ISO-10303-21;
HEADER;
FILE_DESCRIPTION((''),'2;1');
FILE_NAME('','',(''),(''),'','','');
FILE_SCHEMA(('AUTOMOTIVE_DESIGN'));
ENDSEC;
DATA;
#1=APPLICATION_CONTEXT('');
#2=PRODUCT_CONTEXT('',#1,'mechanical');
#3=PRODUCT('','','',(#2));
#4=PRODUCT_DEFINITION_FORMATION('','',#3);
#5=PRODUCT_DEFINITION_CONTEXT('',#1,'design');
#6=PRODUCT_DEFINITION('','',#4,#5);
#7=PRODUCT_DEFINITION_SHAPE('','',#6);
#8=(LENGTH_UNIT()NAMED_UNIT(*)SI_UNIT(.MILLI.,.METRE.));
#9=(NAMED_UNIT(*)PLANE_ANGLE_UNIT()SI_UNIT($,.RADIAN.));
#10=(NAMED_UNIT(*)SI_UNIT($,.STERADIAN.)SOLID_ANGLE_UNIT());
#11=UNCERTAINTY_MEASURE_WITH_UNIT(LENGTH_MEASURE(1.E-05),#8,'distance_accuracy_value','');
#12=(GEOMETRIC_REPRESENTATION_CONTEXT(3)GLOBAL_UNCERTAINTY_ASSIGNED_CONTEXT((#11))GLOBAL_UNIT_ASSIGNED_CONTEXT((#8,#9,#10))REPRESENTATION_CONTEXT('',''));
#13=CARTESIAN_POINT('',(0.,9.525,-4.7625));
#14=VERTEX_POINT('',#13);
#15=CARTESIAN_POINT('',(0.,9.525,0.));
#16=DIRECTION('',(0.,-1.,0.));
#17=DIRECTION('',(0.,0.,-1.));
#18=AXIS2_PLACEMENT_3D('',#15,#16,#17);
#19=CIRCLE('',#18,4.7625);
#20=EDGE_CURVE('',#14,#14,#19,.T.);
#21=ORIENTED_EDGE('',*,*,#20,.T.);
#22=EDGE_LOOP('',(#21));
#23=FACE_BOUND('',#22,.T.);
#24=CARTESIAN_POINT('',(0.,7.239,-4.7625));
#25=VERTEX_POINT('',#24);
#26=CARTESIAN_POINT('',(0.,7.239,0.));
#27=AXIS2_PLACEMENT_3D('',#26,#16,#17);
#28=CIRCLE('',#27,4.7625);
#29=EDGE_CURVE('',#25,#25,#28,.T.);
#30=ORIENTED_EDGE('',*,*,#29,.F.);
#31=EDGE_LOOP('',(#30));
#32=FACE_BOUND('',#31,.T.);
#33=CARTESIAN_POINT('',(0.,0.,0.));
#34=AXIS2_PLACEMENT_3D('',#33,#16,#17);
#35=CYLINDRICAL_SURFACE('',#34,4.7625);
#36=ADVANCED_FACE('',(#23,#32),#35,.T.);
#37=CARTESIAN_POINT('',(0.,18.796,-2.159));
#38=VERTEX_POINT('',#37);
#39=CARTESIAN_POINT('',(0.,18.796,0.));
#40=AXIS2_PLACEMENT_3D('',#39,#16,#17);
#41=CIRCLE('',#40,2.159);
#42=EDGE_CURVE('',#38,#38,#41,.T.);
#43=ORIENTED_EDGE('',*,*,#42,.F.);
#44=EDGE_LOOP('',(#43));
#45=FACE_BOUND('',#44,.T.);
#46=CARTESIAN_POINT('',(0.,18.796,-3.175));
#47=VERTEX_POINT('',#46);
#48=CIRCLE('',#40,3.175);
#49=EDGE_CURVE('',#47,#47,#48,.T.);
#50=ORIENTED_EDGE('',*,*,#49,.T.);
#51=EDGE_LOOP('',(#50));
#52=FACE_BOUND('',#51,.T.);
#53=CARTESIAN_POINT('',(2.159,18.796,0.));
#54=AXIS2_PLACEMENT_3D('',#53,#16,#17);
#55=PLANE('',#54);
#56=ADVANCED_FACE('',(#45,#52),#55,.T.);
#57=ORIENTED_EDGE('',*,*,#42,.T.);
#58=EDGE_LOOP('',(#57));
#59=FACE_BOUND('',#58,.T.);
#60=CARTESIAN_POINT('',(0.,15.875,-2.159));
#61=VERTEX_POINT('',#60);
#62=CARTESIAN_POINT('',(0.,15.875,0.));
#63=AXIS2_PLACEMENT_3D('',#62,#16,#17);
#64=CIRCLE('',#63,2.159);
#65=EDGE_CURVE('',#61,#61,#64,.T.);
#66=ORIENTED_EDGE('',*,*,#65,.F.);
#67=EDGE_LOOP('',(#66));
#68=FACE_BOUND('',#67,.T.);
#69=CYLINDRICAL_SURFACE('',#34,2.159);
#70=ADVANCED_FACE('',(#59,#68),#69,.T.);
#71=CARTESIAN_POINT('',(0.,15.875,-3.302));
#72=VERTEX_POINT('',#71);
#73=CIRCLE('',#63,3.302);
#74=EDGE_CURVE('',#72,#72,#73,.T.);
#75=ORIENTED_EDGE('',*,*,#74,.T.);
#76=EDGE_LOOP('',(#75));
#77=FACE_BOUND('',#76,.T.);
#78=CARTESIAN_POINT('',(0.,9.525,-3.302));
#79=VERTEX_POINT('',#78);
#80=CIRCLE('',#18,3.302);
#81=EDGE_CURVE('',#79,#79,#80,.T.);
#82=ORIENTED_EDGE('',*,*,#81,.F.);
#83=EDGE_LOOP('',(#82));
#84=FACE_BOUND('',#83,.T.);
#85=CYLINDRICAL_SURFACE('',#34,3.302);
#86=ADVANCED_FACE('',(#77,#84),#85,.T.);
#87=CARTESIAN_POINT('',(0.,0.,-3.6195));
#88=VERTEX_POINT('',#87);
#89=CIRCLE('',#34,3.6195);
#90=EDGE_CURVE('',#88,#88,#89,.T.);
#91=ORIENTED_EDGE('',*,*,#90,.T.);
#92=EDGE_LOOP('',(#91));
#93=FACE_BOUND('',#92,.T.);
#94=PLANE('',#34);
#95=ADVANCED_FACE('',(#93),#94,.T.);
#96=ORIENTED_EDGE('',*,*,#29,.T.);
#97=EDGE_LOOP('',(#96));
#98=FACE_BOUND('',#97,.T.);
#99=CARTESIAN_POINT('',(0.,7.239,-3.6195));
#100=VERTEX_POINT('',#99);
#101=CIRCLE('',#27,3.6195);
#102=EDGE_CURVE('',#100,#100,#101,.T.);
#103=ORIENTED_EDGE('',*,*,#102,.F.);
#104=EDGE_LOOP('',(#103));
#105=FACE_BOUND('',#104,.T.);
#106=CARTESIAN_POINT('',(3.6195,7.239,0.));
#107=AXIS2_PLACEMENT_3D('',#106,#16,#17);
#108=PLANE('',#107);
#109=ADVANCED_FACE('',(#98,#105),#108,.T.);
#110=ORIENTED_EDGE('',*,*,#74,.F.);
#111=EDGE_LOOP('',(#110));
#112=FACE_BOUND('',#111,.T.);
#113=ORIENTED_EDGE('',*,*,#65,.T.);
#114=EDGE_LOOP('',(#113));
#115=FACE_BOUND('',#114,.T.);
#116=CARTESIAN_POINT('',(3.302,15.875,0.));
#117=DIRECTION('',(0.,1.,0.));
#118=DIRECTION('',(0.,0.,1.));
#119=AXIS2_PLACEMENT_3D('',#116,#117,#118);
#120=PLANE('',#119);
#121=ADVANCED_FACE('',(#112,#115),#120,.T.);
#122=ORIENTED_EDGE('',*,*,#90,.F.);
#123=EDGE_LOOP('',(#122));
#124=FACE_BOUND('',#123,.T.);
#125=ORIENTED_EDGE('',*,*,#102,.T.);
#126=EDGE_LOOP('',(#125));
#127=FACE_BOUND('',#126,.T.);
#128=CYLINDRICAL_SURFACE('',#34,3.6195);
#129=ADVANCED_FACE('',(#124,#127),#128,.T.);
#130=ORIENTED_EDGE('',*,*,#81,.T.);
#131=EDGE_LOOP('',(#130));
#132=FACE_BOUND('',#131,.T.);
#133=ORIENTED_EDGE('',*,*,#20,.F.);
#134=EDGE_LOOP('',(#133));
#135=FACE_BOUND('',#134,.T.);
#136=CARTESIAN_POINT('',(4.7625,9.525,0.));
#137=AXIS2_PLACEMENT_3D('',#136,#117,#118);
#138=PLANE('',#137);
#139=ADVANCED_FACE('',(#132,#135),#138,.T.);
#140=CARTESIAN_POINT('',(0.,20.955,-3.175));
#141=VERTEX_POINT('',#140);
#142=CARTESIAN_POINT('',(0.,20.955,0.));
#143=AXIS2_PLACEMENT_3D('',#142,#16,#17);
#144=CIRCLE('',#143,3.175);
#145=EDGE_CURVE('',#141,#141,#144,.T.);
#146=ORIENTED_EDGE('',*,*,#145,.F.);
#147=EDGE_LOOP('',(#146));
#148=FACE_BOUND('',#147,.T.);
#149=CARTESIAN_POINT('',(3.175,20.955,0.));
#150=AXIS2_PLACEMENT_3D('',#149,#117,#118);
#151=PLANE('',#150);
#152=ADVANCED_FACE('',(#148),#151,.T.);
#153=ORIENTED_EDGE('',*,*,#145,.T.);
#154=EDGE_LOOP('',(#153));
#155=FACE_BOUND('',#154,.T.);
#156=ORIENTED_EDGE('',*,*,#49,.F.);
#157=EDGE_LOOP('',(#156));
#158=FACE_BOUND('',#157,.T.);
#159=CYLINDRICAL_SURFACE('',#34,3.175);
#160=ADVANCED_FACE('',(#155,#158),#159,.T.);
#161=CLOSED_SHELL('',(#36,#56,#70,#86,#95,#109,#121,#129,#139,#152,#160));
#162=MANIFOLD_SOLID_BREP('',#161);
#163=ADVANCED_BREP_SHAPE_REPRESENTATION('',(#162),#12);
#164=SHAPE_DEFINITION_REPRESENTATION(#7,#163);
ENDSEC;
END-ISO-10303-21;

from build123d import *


with BuildPart() as part:
    # Sketch2 → Revolve1 (revolve)
    with BuildSketch(Plane.XY, mode=Mode.PRIVATE) as revolve1_sk:
        Polygon((0, 0), (3.6195, 0), (3.6195, 7.239), (4.7625, 7.239), (4.7625, 9.525), (3.302, 9.525), (3.302, 15.875), (2.159, 15.875), (2.159, 18.796), (3.175, 18.796), (3.175, 20.955), (0, 20.955), align=None)
    revolve(revolve1_sk.sketch.rotate(Axis((0, 0, 0), (0, 1, 0)), 90), axis=Axis((0, 0, 0), (0, 1, 0)))


solid = part.part
